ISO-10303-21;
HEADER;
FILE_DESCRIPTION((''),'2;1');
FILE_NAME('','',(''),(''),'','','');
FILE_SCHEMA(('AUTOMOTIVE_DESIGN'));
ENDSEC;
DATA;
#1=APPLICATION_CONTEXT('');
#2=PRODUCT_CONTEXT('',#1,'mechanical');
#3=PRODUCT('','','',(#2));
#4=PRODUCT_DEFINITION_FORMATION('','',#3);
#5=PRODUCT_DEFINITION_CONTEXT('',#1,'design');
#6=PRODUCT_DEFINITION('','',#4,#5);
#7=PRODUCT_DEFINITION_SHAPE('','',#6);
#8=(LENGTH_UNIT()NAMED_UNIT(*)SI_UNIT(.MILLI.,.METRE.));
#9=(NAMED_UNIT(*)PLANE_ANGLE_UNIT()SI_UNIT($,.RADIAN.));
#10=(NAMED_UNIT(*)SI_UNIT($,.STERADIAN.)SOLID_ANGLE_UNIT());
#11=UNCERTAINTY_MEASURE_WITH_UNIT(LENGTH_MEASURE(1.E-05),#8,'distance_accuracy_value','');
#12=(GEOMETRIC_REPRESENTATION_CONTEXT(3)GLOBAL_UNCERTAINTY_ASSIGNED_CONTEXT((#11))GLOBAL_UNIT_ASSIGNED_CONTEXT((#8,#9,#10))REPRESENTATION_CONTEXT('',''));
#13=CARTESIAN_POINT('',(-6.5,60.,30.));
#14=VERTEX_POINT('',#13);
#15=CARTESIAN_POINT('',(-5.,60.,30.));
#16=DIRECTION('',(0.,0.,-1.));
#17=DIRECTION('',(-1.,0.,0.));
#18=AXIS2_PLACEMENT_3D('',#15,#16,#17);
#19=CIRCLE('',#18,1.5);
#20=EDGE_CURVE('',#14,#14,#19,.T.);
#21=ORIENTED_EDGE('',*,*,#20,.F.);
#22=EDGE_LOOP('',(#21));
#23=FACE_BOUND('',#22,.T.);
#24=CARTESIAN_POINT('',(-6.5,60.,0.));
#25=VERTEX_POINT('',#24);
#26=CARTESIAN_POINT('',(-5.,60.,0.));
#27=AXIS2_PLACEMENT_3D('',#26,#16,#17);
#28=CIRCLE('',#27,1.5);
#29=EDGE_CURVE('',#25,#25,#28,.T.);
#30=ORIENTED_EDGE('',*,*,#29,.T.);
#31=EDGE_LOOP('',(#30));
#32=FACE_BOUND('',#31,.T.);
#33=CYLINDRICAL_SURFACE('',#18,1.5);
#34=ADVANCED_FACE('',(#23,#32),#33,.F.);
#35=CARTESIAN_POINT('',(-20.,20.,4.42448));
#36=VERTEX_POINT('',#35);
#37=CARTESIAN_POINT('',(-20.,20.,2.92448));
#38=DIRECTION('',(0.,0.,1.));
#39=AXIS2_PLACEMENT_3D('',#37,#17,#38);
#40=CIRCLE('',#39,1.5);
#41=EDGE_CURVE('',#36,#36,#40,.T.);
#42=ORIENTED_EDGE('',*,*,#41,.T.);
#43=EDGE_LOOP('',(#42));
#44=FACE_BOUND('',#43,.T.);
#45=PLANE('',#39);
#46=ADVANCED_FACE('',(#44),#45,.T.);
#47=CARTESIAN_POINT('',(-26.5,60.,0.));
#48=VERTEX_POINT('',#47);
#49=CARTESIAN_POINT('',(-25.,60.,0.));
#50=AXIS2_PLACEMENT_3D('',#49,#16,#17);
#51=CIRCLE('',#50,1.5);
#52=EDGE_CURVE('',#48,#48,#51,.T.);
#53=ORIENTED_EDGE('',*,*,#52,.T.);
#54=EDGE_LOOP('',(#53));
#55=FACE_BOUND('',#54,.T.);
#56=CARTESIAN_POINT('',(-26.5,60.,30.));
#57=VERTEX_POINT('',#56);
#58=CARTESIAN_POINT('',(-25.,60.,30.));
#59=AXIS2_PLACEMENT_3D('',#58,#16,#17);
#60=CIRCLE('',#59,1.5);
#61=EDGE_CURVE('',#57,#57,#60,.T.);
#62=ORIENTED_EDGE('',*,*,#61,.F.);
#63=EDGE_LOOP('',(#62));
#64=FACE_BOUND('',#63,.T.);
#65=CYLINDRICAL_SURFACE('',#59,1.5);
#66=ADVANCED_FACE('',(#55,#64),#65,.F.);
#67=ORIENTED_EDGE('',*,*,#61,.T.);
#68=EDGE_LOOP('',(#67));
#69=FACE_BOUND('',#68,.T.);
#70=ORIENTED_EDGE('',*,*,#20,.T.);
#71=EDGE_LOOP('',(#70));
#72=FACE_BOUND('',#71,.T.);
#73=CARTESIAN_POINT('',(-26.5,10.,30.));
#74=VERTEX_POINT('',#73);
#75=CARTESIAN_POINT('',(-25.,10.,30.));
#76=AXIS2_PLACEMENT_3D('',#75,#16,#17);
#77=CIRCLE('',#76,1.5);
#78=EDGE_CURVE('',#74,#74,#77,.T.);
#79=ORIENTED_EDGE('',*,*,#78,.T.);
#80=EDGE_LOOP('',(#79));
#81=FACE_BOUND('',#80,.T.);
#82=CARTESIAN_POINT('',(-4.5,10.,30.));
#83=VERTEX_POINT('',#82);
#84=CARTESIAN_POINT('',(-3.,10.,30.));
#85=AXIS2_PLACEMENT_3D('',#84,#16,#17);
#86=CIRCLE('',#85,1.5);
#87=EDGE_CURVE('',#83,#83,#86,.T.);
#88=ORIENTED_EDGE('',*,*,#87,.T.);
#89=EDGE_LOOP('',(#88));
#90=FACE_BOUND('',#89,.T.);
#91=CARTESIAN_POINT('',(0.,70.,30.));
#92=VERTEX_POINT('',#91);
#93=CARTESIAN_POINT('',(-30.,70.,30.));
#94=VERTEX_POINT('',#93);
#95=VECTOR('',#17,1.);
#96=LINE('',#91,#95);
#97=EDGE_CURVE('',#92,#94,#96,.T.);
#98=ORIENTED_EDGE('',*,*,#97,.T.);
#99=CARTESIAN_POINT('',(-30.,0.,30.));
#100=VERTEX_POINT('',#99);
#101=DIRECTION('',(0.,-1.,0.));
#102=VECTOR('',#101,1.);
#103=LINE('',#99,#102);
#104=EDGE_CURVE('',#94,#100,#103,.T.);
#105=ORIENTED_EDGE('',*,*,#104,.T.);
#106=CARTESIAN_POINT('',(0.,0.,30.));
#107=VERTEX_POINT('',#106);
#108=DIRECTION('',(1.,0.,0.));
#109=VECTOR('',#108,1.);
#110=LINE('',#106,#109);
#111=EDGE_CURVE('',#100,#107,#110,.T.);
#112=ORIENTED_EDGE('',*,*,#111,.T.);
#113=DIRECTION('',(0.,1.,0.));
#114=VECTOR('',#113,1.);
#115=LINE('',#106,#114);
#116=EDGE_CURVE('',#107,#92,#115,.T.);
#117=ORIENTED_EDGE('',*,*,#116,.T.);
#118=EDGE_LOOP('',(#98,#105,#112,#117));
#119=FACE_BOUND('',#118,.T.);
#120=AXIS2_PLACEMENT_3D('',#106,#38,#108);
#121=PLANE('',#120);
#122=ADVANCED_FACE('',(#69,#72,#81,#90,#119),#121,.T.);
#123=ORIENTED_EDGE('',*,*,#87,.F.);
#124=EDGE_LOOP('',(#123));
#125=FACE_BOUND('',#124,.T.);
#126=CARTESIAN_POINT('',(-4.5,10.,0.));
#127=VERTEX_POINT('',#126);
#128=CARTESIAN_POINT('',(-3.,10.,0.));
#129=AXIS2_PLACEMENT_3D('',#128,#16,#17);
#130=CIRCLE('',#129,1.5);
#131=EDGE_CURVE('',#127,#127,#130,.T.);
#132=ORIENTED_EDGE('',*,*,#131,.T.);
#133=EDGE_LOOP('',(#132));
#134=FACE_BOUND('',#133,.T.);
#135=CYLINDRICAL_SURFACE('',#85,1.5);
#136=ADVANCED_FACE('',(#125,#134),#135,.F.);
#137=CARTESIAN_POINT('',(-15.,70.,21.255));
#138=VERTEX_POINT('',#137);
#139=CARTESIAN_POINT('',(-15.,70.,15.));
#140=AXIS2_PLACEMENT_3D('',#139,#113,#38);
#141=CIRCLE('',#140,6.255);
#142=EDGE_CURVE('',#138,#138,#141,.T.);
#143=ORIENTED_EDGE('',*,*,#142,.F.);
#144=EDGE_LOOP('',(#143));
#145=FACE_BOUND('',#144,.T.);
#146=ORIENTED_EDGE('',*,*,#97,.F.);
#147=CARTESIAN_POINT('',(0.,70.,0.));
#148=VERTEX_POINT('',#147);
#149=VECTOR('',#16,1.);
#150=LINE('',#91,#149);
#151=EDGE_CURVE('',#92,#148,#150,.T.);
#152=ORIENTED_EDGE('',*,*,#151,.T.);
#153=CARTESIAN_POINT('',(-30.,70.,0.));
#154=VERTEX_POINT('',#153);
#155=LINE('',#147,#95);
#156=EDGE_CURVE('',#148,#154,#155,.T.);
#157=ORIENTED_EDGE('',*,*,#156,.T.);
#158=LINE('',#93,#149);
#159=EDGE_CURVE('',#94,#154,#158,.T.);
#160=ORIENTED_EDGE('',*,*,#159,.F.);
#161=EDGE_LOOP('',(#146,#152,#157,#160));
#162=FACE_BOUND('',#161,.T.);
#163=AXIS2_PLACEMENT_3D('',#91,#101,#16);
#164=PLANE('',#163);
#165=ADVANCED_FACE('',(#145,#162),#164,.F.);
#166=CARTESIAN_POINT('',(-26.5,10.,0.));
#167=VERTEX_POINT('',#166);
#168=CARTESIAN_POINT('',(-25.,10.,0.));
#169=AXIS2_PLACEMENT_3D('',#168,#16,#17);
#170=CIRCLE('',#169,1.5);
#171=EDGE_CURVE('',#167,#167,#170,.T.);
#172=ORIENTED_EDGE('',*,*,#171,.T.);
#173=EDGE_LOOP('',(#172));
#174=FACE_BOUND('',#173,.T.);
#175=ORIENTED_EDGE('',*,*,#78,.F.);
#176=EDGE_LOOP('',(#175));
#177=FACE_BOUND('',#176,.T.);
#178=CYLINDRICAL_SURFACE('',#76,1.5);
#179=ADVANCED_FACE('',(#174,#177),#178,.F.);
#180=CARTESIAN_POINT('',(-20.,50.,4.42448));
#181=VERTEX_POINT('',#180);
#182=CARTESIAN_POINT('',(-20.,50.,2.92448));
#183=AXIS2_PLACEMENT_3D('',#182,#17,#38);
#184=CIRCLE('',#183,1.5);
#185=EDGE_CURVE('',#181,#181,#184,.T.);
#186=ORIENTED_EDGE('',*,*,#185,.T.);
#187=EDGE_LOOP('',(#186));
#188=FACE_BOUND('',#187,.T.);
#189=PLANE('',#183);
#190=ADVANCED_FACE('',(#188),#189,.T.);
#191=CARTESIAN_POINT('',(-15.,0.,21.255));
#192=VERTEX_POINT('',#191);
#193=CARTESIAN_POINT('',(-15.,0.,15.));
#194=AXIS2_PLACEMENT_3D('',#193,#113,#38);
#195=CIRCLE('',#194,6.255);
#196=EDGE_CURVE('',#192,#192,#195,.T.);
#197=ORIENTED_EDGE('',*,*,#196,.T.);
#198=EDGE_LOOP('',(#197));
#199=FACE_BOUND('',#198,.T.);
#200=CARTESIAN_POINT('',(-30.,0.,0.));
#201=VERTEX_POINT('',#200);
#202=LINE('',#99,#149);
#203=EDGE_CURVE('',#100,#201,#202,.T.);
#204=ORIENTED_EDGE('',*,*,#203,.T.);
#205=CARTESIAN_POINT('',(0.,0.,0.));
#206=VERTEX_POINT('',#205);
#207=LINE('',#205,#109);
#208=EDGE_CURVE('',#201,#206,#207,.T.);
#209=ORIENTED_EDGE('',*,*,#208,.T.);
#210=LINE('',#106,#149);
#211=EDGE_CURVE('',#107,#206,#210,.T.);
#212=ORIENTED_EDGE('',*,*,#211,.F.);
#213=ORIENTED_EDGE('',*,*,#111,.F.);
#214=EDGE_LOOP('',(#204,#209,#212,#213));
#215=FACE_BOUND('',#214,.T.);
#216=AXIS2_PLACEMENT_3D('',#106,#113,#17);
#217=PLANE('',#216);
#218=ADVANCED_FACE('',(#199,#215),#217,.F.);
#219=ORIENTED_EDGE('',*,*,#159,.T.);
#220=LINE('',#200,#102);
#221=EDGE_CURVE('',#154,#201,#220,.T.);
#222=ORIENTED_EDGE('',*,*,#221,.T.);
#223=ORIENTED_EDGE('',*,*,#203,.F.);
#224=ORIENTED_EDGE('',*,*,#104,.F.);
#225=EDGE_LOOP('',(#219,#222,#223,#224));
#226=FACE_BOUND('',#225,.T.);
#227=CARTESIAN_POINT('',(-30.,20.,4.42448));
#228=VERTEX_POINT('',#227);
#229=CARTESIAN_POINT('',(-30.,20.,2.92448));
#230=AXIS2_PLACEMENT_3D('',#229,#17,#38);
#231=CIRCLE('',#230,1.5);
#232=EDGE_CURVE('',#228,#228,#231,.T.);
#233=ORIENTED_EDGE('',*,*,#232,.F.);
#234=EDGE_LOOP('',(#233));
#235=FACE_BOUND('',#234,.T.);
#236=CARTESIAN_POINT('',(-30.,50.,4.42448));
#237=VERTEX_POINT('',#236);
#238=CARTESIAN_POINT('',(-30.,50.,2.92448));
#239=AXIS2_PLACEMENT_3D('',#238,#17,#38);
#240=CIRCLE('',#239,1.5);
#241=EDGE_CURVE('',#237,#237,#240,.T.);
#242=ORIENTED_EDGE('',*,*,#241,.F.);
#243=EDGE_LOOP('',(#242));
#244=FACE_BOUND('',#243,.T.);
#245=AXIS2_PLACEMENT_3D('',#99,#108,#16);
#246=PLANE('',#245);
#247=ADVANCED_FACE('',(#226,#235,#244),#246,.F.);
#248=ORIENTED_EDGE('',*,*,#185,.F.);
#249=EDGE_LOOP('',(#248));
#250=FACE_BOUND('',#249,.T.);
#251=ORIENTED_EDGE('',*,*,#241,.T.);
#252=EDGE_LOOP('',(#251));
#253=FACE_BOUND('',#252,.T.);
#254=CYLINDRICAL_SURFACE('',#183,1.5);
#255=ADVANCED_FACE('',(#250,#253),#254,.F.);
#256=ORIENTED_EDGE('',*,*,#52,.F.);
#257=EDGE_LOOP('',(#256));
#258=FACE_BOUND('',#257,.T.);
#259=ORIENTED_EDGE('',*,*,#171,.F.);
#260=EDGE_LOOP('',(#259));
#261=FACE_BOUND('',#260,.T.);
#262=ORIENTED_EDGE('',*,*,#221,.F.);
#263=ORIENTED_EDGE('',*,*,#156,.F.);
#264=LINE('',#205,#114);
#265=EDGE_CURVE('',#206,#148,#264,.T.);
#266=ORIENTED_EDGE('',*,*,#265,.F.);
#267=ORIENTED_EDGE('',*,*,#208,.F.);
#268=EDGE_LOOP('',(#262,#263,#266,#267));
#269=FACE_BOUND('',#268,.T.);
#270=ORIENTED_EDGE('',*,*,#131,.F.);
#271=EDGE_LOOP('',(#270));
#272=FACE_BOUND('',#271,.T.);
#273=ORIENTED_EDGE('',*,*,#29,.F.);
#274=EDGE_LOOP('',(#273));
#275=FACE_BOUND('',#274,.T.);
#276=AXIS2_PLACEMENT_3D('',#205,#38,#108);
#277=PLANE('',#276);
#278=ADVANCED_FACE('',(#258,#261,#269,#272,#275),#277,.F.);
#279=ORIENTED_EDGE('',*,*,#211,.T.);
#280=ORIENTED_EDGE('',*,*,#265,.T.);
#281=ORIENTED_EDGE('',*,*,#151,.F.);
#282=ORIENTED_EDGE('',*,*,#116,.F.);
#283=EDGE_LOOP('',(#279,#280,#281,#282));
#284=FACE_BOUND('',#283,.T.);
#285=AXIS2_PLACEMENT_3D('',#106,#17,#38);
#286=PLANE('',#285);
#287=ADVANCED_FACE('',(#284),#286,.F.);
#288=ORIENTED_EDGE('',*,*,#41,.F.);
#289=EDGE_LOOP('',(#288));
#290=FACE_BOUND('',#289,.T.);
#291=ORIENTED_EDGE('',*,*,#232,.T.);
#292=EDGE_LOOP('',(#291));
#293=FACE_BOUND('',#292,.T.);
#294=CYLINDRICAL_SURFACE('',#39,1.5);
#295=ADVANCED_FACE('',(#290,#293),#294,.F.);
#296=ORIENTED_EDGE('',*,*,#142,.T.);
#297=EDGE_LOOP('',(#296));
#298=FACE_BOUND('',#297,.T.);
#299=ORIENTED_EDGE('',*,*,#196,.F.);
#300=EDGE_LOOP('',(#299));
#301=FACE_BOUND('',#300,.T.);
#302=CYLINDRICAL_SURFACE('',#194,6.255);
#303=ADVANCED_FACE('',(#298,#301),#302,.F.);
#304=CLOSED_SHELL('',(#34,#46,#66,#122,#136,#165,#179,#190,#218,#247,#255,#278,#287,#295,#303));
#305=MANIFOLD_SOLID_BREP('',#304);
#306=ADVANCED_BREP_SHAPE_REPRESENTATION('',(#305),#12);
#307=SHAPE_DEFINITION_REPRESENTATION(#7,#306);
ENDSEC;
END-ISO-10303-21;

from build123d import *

# Parameters (mm, degrees)
ESBO_O1_W                = 30
ESBO_O1_H                = 70
RESSALTO_EXTRUS_O1_DEPTH = 30
ESBO_O3_R                = 6.255
CORTE_EXTRUS_O2_DEPTH    = 82.853527719
ESBO_O4_R                = 1.5
CORTE_EXTRUS_O3_DEPTH    = 82.853527719
ESBO_O5_R                = 1.5
CORTE_EXTRUS_O4_DEPTH    = 10


with BuildPart() as part:
    # Esboço1 → Ressalto-extrusão1 (new body)
    with BuildSketch(Plane.XY):
        with Locations((-15, 35)):
            Rectangle(ESBO_O1_W, ESBO_O1_H)
    extrude(amount=RESSALTO_EXTRUS_O1_DEPTH)

    # Esboço3 → Corte-extrusão2 (cut, through all)
    with BuildSketch(Plane(origin=(0, 70, 0), x_dir=(1, 0, 0), z_dir=(0, 1, 0))):
        with Locations(Location((-15, -15, 0), (0, 0, 270))):
            Circle(ESBO_O3_R)
    extrude(amount=-CORTE_EXTRUS_O2_DEPTH, mode=Mode.SUBTRACT)

    # Esboço4 → Corte-extrusão3 (cut, through all)
    with BuildSketch(Plane(origin=(0, 0, 0), x_dir=(-1, 0, 0), z_dir=(0, 0, -1))):
        with Locations((5, 60)):
            Circle(ESBO_O4_R)
        with Locations((3, 10)):
            Circle(ESBO_O4_R)
        with Locations((25, 60)):
            Circle(ESBO_O4_R)
        with Locations((25, 10)):
            Circle(ESBO_O4_R)
    extrude(amount=-CORTE_EXTRUS_O3_DEPTH, mode=Mode.SUBTRACT)

    # Esboço5 → Corte-extrusão4 (cut)
    with BuildSketch(Plane.ZY.offset(30)):
        with Locations((2.924479503, 50)):
            Circle(ESBO_O5_R)
        with Locations((2.924479503, 20)):
            Circle(ESBO_O5_R)
    extrude(amount=-CORTE_EXTRUS_O4_DEPTH, mode=Mode.SUBTRACT)


solid = part.part
